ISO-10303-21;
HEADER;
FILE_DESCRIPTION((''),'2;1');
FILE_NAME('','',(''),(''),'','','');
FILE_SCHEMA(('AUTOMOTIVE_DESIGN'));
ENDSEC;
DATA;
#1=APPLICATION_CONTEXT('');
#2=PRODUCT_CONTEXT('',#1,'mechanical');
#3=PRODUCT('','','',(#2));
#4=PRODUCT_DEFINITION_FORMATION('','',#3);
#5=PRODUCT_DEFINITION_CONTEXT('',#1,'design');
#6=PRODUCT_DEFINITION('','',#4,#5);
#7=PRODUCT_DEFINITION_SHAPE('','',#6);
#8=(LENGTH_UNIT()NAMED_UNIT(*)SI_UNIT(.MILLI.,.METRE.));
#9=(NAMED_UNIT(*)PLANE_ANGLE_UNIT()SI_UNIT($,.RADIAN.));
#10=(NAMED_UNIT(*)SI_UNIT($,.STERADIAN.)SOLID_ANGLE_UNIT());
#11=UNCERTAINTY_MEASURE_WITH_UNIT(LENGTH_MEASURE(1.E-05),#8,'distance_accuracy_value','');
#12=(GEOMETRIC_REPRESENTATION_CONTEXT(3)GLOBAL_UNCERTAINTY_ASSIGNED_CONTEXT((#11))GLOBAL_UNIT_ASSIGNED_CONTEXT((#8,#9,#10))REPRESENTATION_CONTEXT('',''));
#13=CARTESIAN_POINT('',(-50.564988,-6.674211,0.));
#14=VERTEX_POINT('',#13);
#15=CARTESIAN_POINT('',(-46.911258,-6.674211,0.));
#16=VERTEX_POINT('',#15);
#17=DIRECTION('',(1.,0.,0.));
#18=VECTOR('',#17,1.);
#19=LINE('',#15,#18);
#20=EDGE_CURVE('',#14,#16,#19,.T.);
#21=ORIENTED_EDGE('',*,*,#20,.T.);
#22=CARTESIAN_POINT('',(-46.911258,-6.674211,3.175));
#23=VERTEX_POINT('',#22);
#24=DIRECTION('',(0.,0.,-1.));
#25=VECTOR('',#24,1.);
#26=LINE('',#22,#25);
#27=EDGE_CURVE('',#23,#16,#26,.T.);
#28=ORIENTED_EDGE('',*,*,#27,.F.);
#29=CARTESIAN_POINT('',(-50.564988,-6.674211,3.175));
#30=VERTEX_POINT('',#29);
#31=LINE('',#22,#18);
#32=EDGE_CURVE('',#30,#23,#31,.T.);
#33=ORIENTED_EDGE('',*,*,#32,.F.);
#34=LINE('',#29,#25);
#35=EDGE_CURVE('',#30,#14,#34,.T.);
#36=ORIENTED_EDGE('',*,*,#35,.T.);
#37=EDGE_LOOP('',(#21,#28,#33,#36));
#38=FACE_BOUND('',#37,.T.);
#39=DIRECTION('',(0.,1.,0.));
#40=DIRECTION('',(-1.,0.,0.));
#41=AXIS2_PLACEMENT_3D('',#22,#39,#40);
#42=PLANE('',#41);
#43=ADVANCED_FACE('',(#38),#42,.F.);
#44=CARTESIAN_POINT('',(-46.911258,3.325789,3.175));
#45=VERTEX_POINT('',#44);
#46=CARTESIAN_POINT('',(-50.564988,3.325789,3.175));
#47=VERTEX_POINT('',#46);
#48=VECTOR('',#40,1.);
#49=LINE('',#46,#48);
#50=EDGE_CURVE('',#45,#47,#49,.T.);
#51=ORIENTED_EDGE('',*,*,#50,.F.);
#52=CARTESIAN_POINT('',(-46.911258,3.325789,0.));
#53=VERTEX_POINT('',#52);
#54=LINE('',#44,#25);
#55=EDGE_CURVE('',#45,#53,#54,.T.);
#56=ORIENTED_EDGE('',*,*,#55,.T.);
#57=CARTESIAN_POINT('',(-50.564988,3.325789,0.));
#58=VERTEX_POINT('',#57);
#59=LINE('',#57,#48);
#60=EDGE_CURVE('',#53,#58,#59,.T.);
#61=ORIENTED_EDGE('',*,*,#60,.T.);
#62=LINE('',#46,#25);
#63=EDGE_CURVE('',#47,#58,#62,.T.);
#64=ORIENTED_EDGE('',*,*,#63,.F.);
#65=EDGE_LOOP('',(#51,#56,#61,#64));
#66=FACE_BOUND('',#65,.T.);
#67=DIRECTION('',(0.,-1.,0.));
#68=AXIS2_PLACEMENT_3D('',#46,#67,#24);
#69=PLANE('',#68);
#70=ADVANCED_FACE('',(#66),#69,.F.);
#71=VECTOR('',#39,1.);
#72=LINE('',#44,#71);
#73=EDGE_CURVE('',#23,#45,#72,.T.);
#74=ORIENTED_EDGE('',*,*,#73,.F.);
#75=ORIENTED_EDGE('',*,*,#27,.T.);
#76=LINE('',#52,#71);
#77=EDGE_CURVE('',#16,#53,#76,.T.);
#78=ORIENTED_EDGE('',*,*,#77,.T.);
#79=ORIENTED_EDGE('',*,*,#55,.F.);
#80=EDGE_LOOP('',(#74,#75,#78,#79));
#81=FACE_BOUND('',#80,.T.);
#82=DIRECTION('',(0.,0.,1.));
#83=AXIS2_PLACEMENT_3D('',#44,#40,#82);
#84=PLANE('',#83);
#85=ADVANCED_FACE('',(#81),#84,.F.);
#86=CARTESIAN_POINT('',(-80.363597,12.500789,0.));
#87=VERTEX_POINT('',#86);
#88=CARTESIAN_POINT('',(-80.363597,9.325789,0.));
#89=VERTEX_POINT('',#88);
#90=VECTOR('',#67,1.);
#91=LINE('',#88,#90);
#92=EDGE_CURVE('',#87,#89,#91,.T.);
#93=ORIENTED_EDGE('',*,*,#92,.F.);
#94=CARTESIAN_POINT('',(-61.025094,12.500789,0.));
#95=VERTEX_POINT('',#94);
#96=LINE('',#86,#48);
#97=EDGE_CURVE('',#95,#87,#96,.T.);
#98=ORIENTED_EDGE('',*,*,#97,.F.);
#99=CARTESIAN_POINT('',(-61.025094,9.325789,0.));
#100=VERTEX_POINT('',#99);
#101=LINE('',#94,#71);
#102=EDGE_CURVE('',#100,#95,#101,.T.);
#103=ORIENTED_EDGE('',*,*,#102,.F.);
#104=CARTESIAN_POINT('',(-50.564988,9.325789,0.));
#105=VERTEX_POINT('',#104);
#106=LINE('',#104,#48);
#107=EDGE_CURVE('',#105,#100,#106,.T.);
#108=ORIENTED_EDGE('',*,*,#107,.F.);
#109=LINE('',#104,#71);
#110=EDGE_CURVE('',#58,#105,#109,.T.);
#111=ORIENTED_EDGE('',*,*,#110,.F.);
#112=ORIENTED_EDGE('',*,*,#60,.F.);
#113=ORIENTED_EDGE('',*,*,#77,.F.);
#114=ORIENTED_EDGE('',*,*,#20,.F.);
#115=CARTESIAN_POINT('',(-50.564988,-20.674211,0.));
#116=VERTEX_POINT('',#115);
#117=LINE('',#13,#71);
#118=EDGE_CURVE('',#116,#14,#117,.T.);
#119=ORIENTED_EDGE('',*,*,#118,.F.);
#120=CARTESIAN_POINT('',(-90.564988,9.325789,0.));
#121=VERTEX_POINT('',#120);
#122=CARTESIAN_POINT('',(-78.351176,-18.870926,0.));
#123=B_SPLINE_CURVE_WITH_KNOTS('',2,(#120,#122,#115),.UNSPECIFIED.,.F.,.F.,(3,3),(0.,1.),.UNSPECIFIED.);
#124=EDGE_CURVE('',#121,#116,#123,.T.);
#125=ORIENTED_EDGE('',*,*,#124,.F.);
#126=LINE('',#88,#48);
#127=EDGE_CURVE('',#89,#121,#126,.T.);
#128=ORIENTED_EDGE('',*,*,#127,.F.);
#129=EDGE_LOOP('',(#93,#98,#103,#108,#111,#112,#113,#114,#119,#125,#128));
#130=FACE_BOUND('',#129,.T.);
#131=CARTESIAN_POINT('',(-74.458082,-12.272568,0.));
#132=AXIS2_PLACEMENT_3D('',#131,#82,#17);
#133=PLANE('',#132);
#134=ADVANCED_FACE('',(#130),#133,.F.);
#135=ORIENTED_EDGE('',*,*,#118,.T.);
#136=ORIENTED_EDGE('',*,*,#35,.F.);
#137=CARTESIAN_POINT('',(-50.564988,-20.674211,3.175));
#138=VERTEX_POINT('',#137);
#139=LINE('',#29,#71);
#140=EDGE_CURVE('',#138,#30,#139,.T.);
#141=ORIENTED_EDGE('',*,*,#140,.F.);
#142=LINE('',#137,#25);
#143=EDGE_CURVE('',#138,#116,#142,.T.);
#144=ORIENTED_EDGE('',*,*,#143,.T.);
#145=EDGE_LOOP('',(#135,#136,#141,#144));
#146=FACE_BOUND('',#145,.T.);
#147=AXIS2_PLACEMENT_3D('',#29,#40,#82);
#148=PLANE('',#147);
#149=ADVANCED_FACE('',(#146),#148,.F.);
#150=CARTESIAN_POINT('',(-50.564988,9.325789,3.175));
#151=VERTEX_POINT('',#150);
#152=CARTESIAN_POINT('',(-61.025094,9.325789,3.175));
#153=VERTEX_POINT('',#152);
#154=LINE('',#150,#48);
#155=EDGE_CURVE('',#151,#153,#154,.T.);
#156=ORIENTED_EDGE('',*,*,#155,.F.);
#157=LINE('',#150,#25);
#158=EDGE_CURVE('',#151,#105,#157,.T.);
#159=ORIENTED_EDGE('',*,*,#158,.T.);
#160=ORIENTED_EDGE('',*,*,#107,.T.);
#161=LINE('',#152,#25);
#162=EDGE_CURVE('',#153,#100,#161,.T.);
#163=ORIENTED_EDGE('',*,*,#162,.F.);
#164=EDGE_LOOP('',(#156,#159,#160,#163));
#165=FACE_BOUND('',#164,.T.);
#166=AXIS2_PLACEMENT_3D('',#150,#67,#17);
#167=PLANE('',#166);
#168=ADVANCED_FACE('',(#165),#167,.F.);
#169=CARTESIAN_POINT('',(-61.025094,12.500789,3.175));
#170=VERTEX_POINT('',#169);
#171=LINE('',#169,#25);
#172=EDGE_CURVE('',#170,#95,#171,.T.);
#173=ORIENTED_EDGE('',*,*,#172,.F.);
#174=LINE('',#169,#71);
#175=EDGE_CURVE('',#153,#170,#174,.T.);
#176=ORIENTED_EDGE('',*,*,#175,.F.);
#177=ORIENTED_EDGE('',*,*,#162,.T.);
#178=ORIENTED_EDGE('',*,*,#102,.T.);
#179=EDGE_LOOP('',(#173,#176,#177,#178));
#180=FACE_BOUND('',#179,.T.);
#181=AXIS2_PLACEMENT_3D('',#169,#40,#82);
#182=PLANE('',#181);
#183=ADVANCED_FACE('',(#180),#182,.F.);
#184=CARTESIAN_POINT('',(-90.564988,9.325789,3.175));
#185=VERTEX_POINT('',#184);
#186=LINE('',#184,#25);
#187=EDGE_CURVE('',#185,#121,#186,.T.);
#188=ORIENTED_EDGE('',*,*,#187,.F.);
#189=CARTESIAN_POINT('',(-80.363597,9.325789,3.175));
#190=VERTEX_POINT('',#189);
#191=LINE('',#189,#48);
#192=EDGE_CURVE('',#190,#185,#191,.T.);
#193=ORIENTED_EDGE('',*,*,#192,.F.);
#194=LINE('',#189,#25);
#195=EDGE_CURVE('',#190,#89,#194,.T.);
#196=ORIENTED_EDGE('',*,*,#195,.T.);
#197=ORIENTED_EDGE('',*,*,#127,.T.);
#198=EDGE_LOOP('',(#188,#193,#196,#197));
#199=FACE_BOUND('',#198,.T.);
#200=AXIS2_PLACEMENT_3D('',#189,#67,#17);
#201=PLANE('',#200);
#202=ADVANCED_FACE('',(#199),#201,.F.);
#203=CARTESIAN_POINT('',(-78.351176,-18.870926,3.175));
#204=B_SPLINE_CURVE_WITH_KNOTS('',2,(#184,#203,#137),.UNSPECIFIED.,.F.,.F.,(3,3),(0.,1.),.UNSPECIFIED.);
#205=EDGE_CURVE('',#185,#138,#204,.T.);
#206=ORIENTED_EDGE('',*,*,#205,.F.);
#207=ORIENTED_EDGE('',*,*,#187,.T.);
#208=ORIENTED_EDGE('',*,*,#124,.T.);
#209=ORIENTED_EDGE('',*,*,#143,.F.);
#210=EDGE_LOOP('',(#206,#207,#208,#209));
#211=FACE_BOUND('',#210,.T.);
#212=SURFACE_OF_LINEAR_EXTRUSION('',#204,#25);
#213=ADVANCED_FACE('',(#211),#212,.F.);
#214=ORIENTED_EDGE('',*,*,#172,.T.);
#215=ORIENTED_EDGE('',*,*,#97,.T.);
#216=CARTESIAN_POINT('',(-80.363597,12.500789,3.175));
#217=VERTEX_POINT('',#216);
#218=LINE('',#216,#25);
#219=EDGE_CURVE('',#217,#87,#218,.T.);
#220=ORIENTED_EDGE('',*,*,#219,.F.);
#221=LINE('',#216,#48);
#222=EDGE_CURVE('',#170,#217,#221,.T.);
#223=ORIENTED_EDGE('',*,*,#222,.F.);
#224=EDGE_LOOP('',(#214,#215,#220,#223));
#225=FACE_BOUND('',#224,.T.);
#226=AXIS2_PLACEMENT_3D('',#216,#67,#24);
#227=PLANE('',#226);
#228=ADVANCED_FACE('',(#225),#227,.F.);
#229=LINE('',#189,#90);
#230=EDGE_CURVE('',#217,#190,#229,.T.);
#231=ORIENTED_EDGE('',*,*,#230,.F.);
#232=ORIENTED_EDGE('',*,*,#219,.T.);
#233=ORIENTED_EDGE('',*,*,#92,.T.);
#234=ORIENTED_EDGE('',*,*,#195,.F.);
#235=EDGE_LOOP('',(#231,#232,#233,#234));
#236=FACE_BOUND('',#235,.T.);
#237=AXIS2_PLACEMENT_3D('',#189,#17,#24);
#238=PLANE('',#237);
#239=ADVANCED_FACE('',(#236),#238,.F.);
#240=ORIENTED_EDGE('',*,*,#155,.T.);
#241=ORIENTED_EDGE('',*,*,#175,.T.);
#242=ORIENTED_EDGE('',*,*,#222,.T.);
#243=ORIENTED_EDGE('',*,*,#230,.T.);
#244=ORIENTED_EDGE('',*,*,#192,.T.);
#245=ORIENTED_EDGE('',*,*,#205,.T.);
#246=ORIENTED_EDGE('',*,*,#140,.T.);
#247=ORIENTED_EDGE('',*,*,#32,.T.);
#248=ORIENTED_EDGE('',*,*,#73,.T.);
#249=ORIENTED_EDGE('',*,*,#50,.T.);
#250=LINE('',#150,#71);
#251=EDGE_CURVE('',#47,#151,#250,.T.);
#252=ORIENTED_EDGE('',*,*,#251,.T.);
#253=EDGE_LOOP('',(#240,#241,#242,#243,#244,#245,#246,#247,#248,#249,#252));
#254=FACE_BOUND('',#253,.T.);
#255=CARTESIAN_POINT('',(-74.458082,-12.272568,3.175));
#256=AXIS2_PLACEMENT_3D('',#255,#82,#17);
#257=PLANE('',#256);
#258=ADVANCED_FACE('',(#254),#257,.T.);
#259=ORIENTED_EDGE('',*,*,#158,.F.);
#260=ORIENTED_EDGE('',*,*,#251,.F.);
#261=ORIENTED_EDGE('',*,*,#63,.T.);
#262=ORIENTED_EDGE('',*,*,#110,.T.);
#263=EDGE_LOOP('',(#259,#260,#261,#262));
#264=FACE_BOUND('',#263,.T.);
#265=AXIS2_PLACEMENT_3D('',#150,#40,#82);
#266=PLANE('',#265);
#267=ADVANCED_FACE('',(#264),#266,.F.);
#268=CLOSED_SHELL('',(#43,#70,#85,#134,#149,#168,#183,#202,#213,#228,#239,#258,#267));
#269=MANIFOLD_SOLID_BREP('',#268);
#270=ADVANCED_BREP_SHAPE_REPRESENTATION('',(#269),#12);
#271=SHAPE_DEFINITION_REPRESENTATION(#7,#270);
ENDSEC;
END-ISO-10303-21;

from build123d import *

# Parameters (mm, degrees)
BOSS_EXTRUDE1_DEPTH = 3.175


with BuildPart() as part:
    # Sketch1 → Boss-Extrude1 (new body)
    with BuildSketch(Plane.XY):
        with BuildLine():
            Line((-50.564988155, 9.325788887), (-61.025093708, 9.325788887))
            Line((-61.025093708, 9.325788887), (-61.025093708, 12.500788887))
            Line((-61.025093708, 12.500788887), (-80.363597484, 12.500788887))
            Line((-80.363597484, 12.500788887), (-80.363597484, 9.325788887))
            Line((-80.363597484, 9.325788887), (-90.564988155, 9.325788887))
            add(Edge.make_bspline(
                [(-50.564988155, -20.674211113), (-78.351175561, -18.870925546), (-90.564988155, 9.325788887)],
                knots=[0, 0, 0, 1, 1, 1], degree=2))
            Line((-50.564988155, -20.674211113), (-50.564988155, -6.674211113))
            Line((-50.564988155, -6.674211113), (-46.911258203, -6.674211113))
            Line((-46.911258203, -6.674211113), (-46.911258203, 3.325788887))
            Line((-46.911258203, 3.325788887), (-50.564988155, 3.325788887))
            Line((-50.564988155, 3.325788887), (-50.564988155, 9.325788887))
        make_face()
    extrude(amount=BOSS_EXTRUDE1_DEPTH)


solid = part.part
